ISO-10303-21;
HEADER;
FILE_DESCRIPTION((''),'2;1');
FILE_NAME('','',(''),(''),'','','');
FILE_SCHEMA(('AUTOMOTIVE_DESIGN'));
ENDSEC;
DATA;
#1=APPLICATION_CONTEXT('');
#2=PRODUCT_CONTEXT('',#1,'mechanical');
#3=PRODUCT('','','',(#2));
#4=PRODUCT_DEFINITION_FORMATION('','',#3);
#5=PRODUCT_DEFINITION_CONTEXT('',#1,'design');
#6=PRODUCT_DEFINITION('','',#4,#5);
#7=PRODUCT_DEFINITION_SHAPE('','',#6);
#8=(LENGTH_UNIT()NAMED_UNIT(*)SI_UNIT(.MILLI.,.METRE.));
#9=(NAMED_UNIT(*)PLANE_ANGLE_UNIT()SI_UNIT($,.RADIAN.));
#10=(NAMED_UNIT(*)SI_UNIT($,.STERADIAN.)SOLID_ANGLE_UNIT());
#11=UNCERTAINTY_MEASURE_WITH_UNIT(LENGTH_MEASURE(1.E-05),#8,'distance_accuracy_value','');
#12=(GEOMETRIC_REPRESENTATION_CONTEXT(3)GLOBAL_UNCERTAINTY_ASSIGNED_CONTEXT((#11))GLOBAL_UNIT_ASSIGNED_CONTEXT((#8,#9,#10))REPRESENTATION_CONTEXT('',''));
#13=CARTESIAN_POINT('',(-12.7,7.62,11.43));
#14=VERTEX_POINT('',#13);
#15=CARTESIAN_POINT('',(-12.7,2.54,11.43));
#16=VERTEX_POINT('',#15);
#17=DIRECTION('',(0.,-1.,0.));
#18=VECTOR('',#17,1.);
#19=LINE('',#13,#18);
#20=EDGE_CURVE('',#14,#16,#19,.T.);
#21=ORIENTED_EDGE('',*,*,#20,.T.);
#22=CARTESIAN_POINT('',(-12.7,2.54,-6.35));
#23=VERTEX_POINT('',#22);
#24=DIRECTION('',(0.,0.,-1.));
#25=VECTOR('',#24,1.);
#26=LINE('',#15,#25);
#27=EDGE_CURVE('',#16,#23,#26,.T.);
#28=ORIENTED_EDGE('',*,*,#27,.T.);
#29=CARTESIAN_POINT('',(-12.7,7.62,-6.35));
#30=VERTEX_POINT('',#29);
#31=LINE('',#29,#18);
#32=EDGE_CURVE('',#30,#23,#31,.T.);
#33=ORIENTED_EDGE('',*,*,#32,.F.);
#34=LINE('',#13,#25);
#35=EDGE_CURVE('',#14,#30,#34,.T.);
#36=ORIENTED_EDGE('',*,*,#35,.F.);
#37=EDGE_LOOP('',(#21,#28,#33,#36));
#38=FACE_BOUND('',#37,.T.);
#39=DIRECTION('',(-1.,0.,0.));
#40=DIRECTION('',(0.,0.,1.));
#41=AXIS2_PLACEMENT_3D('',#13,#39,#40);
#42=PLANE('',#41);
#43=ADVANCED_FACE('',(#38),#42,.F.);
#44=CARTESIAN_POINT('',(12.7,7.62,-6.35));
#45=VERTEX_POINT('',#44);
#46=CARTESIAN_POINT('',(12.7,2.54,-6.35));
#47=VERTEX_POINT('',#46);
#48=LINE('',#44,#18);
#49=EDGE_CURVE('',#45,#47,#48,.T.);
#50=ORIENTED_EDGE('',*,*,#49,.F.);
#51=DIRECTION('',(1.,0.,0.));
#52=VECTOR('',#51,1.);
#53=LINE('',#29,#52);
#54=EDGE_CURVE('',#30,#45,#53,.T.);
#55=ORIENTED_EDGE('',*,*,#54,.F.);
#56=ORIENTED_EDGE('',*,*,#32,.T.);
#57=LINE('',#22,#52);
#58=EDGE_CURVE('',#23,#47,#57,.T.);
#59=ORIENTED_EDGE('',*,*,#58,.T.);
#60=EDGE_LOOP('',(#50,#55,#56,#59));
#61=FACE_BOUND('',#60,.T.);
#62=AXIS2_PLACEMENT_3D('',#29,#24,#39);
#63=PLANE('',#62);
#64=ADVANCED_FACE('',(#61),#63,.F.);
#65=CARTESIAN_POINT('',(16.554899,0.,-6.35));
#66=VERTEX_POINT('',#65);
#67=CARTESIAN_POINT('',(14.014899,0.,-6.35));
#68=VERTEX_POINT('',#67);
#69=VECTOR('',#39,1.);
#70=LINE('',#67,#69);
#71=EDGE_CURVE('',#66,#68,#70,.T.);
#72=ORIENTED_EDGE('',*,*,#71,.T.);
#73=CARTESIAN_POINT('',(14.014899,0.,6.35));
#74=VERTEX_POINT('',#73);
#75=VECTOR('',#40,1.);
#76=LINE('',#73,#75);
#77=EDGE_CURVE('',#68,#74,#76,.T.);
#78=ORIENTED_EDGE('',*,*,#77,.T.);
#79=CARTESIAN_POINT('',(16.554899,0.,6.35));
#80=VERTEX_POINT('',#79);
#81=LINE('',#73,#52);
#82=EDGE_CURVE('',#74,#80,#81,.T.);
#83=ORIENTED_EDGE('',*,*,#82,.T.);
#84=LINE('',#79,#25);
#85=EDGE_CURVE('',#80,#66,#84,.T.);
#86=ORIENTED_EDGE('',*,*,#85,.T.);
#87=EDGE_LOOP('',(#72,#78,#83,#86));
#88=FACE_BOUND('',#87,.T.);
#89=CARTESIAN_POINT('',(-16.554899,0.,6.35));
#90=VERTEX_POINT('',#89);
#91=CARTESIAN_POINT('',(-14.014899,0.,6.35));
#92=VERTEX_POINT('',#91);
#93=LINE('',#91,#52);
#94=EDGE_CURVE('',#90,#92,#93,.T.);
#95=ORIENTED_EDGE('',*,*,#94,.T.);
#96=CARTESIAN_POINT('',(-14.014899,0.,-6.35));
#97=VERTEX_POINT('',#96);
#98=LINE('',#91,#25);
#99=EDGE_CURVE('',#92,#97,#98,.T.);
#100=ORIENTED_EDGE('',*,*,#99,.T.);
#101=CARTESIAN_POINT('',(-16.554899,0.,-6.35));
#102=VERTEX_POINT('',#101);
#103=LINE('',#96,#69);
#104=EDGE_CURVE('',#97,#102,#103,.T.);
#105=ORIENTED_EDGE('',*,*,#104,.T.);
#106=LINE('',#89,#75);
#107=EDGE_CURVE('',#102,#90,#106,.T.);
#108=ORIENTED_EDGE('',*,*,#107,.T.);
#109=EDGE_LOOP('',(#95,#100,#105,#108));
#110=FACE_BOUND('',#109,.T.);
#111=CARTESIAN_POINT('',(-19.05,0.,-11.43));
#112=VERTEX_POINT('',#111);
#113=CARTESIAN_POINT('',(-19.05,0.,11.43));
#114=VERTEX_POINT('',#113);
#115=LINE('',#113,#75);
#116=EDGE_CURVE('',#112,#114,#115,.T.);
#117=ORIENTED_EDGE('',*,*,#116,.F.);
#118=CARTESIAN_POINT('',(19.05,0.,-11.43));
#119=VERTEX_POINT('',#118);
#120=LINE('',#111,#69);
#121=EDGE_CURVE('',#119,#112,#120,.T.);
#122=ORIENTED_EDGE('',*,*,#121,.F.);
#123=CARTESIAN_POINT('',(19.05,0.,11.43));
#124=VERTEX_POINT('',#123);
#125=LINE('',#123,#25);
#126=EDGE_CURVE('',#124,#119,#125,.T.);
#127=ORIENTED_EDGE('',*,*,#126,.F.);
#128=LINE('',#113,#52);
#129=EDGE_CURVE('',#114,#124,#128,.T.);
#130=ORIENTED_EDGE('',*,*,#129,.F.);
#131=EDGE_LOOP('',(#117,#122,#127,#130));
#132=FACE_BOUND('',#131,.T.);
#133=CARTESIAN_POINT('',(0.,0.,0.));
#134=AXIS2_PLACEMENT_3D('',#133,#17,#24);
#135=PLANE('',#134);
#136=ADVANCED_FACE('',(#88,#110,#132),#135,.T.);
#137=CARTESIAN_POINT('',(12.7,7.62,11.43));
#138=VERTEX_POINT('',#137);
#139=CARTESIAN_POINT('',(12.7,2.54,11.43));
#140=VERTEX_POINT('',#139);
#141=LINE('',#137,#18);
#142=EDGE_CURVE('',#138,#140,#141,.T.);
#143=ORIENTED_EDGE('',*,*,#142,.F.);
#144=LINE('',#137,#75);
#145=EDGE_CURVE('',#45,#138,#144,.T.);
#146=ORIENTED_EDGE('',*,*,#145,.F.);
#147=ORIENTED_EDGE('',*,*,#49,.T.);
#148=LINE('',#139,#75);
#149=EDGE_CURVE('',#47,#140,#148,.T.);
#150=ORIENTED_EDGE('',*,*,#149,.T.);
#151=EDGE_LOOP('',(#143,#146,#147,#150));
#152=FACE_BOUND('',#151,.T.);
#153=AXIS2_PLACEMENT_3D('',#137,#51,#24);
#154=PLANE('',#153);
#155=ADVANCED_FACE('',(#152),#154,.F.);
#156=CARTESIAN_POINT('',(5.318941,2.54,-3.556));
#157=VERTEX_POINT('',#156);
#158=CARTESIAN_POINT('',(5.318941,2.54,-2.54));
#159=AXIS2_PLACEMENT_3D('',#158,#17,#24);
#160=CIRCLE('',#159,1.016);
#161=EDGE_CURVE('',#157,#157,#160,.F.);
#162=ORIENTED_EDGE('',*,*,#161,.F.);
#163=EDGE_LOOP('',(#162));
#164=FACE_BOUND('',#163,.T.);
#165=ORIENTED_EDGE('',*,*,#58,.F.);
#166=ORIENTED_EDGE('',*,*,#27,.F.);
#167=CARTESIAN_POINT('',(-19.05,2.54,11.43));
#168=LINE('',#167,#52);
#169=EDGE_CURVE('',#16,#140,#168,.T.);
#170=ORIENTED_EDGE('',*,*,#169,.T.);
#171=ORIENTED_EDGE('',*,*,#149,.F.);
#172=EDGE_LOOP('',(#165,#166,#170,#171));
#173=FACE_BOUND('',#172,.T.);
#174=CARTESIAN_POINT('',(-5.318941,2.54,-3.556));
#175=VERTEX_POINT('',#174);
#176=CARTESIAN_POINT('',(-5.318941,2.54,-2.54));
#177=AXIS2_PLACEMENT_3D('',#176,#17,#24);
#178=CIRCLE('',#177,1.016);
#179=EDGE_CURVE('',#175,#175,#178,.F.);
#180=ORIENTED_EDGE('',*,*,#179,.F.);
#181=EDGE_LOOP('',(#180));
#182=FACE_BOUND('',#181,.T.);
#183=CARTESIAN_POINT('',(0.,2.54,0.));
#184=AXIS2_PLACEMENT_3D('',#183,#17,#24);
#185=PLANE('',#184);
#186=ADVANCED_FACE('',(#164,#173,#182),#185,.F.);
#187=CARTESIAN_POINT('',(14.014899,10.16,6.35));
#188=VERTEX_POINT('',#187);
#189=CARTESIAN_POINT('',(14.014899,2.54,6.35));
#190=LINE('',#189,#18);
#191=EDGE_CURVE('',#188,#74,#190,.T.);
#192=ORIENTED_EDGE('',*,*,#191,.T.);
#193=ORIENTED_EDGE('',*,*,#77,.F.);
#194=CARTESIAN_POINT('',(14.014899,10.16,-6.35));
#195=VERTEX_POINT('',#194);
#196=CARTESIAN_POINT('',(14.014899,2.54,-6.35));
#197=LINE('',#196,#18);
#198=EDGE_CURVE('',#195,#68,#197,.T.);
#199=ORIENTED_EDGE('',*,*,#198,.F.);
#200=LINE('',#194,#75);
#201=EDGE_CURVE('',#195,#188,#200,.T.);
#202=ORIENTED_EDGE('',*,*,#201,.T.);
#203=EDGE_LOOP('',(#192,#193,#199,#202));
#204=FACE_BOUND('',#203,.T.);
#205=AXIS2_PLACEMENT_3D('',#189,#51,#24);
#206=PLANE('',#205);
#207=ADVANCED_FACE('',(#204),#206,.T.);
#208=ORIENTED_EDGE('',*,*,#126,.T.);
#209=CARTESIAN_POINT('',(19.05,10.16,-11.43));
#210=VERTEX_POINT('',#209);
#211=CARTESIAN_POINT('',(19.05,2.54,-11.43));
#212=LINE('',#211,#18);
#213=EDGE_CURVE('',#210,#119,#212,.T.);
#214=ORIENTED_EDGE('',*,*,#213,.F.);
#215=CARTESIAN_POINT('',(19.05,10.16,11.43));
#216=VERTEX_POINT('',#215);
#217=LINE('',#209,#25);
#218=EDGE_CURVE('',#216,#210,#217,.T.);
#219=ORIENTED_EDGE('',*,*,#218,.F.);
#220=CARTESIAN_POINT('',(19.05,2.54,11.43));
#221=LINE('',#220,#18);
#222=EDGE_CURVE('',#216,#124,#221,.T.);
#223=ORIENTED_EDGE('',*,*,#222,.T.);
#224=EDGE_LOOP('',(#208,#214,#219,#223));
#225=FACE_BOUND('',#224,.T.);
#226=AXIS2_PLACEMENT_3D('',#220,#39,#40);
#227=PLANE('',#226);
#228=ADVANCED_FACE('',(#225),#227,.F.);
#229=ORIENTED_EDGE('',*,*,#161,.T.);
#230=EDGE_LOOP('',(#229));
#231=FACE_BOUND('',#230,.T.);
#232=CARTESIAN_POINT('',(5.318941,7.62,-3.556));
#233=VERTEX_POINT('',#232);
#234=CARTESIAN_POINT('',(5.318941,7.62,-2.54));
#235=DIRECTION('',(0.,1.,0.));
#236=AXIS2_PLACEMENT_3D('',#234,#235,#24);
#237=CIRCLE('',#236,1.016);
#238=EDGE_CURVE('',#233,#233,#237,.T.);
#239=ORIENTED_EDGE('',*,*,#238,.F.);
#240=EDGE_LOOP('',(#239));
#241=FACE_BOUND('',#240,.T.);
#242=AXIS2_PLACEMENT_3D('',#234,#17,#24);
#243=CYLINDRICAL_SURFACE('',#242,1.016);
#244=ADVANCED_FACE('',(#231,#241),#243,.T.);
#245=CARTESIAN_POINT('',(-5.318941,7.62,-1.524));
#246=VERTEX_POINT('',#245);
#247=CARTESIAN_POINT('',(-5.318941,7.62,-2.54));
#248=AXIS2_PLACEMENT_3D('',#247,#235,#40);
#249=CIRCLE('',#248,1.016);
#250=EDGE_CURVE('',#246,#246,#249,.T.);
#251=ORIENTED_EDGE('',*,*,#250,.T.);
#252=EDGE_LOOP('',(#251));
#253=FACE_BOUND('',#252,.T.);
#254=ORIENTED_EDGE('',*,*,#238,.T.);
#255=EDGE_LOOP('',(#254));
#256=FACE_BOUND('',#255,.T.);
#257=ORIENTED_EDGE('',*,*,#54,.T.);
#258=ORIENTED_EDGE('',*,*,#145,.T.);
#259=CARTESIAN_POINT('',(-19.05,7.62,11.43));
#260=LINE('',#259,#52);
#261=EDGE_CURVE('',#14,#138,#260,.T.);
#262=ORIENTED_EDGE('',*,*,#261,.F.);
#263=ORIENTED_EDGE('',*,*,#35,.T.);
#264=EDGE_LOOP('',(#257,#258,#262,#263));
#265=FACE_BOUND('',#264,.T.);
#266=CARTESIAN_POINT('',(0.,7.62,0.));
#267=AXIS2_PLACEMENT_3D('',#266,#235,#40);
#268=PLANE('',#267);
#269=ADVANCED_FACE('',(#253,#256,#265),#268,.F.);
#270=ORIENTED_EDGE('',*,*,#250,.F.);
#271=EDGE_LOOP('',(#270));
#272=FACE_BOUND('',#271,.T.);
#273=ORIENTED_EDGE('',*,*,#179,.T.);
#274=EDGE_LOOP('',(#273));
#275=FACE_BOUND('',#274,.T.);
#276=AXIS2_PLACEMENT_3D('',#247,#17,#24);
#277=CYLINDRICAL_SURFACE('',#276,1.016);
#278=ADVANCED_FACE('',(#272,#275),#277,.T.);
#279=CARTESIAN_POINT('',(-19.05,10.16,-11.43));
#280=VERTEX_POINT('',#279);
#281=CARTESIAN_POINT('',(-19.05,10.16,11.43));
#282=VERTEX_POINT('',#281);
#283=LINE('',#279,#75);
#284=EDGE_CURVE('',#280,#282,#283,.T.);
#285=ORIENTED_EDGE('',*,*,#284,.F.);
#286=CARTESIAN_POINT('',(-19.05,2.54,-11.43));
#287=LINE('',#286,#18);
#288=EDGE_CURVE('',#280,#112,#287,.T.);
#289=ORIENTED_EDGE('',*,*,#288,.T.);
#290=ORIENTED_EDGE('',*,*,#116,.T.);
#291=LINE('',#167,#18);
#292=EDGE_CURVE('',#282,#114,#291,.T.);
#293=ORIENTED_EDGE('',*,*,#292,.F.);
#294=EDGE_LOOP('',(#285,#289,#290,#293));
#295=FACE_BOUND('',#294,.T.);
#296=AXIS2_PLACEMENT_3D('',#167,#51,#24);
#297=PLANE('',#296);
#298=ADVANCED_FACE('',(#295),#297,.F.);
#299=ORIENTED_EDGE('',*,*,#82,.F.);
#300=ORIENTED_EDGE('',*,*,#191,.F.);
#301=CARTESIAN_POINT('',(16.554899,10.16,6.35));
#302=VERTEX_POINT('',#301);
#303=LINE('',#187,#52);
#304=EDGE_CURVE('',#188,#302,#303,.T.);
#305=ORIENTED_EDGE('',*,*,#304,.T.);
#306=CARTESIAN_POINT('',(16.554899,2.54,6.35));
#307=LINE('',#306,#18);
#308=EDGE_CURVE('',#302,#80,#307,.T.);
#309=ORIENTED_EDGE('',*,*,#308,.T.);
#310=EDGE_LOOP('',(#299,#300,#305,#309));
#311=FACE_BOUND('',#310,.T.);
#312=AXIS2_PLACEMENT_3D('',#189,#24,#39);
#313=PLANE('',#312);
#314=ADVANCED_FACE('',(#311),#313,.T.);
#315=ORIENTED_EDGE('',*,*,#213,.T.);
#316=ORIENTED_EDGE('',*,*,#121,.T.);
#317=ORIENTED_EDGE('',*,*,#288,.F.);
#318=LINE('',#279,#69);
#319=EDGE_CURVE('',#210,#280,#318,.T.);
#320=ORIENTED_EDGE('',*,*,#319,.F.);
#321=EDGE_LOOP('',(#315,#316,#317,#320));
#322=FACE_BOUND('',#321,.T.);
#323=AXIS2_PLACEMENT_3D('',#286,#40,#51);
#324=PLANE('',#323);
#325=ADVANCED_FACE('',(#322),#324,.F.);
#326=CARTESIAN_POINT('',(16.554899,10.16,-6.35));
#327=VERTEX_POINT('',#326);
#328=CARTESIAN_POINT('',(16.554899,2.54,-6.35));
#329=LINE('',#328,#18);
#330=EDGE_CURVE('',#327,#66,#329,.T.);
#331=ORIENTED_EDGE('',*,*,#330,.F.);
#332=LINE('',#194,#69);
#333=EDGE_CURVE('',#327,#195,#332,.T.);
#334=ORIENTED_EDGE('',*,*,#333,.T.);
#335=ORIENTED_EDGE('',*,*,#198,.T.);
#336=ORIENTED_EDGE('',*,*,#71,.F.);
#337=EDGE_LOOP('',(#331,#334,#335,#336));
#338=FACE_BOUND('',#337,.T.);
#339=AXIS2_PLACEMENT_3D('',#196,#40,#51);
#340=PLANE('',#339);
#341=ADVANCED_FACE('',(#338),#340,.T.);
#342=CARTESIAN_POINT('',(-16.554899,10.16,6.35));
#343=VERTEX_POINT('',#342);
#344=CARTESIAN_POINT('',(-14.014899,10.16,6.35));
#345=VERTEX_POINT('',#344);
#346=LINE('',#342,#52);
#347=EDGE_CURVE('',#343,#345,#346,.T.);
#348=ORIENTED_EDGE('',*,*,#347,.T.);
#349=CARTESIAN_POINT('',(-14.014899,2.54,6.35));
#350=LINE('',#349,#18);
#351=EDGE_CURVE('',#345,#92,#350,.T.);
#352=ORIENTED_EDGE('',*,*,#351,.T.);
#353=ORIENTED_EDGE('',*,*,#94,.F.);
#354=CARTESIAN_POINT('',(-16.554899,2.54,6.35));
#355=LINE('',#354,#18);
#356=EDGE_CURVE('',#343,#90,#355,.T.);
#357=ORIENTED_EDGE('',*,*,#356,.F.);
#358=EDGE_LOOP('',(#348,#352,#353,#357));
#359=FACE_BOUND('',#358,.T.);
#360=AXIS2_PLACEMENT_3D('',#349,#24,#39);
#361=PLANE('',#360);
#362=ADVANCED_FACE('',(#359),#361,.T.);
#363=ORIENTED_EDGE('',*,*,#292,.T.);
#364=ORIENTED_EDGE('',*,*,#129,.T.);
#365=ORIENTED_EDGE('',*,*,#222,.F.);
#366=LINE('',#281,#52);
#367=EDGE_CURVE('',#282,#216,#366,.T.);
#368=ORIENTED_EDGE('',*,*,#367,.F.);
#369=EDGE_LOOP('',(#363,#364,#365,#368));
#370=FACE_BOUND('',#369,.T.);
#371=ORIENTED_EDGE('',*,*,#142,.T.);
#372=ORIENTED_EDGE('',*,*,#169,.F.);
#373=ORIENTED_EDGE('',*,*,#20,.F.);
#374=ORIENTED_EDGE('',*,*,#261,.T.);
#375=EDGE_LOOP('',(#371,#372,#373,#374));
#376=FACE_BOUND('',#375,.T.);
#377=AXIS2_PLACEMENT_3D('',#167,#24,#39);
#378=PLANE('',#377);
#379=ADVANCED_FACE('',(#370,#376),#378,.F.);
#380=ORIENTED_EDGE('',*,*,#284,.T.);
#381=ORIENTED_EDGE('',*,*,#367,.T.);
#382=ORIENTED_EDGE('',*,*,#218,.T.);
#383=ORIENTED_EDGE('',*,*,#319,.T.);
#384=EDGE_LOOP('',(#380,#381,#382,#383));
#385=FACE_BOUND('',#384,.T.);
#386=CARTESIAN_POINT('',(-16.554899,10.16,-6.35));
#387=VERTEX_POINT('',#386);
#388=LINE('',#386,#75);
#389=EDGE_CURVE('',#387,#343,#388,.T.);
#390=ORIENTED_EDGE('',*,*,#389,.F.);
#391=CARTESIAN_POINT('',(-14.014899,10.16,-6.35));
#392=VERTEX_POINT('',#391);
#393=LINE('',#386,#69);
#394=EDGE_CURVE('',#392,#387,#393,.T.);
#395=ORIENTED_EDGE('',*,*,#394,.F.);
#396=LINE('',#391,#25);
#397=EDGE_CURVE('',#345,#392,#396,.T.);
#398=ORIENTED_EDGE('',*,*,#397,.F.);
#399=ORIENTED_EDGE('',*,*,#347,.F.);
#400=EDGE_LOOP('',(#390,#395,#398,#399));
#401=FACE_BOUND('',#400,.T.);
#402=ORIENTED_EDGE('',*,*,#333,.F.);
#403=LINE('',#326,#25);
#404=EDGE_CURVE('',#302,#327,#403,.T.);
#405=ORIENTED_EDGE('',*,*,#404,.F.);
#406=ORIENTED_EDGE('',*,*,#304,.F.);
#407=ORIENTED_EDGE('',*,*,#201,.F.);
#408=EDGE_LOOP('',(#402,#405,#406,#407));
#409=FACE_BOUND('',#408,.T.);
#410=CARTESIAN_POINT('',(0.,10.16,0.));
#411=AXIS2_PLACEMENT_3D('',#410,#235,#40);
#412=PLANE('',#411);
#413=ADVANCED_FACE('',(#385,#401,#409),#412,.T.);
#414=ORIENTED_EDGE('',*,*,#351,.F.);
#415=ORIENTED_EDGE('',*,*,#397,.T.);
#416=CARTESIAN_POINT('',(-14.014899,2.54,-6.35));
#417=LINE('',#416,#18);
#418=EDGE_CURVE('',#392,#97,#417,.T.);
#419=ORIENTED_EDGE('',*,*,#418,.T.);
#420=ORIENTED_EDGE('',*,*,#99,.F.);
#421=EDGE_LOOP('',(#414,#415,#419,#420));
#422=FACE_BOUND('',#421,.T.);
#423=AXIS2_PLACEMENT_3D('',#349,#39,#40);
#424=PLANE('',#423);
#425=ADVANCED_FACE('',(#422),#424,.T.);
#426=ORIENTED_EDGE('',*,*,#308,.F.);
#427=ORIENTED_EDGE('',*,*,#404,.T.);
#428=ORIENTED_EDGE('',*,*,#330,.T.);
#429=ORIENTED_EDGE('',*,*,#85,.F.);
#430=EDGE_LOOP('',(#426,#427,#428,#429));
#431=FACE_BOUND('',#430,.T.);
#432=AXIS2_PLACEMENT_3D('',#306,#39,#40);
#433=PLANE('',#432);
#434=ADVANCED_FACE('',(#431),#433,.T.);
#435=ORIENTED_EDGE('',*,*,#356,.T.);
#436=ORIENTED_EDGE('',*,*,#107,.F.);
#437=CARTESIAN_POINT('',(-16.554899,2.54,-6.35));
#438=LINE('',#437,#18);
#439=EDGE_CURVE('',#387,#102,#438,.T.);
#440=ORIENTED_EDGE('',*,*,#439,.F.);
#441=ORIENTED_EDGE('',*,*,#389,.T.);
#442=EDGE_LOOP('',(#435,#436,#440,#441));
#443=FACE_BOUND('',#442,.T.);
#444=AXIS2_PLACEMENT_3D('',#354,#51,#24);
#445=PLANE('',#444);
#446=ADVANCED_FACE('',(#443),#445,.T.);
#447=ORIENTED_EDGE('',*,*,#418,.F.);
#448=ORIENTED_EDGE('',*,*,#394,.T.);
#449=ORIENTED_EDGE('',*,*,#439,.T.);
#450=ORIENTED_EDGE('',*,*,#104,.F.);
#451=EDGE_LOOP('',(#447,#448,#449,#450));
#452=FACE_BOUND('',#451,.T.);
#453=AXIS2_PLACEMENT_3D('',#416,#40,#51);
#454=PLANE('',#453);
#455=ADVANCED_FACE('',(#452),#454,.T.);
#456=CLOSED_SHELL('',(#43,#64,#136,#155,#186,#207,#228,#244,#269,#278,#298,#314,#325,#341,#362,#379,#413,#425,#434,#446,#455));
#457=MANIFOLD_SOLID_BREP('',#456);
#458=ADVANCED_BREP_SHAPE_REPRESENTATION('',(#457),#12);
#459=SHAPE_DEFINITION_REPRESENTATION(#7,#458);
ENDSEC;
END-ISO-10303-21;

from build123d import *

# Parameters (mm, degrees)
SKETCH1_W           = 38.1
SKETCH1_H           = 22.86
SKETCH1_W_2         = 2.54
SKETCH1_H_2         = 12.7
BOSS_EXTRUDE2_DEPTH = 2.54
SKETCH3_R           = 1.016
BOSS_EXTRUDE3_DEPTH = 5.08
BOSS_EXTRUDE5_DEPTH = 5.08
SKETCH6_W           = 2.54
SKETCH6_H           = 12.7
CUT_EXTRUDE1_DEPTH  = 24.486417351
SKETCH4_W           = 38.1
SKETCH4_H           = 22.86
SKETCH4_W_2         = 2.54
SKETCH4_H_2         = 12.7
BOSS_EXTRUDE6_DEPTH = 2.54


with BuildPart() as part:
    # Sketch1 → Boss-Extrude2 (new body)
    with BuildSketch(Plane(origin=(0, 0, 0), x_dir=(1, 0, 0), z_dir=(0, 1, 0))):
        Rectangle(SKETCH1_W, SKETCH1_H)
        with Locations((-15.28489899, 0)):
            Rectangle(SKETCH1_W_2, SKETCH1_H_2, mode=Mode.SUBTRACT)
        with Locations((15.28489899, 0)):
            Rectangle(SKETCH1_W_2, SKETCH1_H_2, mode=Mode.SUBTRACT)
    extrude(amount=BOSS_EXTRUDE2_DEPTH)

    # Sketch3 → Boss-Extrude3 (add)
    with BuildSketch(Plane(origin=(0, 2.54, 0), x_dir=(1, 0, 0), z_dir=(0, 1, 0))):
        with Locations(Location((-5.318941048, 2.54, 0), (0, 0, 90))):
            Circle(SKETCH3_R)
        with Locations(Location((5.318941048, 2.54, 0), (0, 0, 90))):
            Circle(SKETCH3_R)
    extrude(amount=BOSS_EXTRUDE3_DEPTH)

    # Sketch5 → Boss-Extrude5 (add)
    with BuildSketch(Plane(origin=(0, 2.54, 0), x_dir=(1, 0, 0), z_dir=(0, 1, 0))):
        Polygon((-19.05, -11.43), (-19.05, 11.43), (19.05, 11.43), (19.05, -11.43), (12.7, -11.43), (12.7, 6.35), (-12.7, 6.35), (-12.7, -11.43), align=None)
    extrude(amount=BOSS_EXTRUDE5_DEPTH)

    # Sketch6 → Cut-Extrude1 (cut, through all)
    with BuildSketch(Plane(origin=(0, 7.62, 0), x_dir=(1, 0, 0), z_dir=(0, 1, 0))):
        with Locations((-15.28489899, 0)):
            Rectangle(SKETCH6_W, SKETCH6_H)
        with Locations((15.28489899, 0)):
            Rectangle(SKETCH6_W, SKETCH6_H)
    extrude(amount=-CUT_EXTRUDE1_DEPTH, mode=Mode.SUBTRACT)

    # Sketch4 → Boss-Extrude6 (add)
    with BuildSketch(Plane(origin=(0, 7.62, 0), x_dir=(1, 0, 0), z_dir=(0, 1, 0))):
        Rectangle(SKETCH4_W, SKETCH4_H)
        with Locations((-15.28489899, 0)):
            Rectangle(SKETCH4_W_2, SKETCH4_H_2, mode=Mode.SUBTRACT)
        with Locations((15.28489899, 0)):
            Rectangle(SKETCH4_W_2, SKETCH4_H_2, mode=Mode.SUBTRACT)
    extrude(amount=BOSS_EXTRUDE6_DEPTH)


solid = part.part
